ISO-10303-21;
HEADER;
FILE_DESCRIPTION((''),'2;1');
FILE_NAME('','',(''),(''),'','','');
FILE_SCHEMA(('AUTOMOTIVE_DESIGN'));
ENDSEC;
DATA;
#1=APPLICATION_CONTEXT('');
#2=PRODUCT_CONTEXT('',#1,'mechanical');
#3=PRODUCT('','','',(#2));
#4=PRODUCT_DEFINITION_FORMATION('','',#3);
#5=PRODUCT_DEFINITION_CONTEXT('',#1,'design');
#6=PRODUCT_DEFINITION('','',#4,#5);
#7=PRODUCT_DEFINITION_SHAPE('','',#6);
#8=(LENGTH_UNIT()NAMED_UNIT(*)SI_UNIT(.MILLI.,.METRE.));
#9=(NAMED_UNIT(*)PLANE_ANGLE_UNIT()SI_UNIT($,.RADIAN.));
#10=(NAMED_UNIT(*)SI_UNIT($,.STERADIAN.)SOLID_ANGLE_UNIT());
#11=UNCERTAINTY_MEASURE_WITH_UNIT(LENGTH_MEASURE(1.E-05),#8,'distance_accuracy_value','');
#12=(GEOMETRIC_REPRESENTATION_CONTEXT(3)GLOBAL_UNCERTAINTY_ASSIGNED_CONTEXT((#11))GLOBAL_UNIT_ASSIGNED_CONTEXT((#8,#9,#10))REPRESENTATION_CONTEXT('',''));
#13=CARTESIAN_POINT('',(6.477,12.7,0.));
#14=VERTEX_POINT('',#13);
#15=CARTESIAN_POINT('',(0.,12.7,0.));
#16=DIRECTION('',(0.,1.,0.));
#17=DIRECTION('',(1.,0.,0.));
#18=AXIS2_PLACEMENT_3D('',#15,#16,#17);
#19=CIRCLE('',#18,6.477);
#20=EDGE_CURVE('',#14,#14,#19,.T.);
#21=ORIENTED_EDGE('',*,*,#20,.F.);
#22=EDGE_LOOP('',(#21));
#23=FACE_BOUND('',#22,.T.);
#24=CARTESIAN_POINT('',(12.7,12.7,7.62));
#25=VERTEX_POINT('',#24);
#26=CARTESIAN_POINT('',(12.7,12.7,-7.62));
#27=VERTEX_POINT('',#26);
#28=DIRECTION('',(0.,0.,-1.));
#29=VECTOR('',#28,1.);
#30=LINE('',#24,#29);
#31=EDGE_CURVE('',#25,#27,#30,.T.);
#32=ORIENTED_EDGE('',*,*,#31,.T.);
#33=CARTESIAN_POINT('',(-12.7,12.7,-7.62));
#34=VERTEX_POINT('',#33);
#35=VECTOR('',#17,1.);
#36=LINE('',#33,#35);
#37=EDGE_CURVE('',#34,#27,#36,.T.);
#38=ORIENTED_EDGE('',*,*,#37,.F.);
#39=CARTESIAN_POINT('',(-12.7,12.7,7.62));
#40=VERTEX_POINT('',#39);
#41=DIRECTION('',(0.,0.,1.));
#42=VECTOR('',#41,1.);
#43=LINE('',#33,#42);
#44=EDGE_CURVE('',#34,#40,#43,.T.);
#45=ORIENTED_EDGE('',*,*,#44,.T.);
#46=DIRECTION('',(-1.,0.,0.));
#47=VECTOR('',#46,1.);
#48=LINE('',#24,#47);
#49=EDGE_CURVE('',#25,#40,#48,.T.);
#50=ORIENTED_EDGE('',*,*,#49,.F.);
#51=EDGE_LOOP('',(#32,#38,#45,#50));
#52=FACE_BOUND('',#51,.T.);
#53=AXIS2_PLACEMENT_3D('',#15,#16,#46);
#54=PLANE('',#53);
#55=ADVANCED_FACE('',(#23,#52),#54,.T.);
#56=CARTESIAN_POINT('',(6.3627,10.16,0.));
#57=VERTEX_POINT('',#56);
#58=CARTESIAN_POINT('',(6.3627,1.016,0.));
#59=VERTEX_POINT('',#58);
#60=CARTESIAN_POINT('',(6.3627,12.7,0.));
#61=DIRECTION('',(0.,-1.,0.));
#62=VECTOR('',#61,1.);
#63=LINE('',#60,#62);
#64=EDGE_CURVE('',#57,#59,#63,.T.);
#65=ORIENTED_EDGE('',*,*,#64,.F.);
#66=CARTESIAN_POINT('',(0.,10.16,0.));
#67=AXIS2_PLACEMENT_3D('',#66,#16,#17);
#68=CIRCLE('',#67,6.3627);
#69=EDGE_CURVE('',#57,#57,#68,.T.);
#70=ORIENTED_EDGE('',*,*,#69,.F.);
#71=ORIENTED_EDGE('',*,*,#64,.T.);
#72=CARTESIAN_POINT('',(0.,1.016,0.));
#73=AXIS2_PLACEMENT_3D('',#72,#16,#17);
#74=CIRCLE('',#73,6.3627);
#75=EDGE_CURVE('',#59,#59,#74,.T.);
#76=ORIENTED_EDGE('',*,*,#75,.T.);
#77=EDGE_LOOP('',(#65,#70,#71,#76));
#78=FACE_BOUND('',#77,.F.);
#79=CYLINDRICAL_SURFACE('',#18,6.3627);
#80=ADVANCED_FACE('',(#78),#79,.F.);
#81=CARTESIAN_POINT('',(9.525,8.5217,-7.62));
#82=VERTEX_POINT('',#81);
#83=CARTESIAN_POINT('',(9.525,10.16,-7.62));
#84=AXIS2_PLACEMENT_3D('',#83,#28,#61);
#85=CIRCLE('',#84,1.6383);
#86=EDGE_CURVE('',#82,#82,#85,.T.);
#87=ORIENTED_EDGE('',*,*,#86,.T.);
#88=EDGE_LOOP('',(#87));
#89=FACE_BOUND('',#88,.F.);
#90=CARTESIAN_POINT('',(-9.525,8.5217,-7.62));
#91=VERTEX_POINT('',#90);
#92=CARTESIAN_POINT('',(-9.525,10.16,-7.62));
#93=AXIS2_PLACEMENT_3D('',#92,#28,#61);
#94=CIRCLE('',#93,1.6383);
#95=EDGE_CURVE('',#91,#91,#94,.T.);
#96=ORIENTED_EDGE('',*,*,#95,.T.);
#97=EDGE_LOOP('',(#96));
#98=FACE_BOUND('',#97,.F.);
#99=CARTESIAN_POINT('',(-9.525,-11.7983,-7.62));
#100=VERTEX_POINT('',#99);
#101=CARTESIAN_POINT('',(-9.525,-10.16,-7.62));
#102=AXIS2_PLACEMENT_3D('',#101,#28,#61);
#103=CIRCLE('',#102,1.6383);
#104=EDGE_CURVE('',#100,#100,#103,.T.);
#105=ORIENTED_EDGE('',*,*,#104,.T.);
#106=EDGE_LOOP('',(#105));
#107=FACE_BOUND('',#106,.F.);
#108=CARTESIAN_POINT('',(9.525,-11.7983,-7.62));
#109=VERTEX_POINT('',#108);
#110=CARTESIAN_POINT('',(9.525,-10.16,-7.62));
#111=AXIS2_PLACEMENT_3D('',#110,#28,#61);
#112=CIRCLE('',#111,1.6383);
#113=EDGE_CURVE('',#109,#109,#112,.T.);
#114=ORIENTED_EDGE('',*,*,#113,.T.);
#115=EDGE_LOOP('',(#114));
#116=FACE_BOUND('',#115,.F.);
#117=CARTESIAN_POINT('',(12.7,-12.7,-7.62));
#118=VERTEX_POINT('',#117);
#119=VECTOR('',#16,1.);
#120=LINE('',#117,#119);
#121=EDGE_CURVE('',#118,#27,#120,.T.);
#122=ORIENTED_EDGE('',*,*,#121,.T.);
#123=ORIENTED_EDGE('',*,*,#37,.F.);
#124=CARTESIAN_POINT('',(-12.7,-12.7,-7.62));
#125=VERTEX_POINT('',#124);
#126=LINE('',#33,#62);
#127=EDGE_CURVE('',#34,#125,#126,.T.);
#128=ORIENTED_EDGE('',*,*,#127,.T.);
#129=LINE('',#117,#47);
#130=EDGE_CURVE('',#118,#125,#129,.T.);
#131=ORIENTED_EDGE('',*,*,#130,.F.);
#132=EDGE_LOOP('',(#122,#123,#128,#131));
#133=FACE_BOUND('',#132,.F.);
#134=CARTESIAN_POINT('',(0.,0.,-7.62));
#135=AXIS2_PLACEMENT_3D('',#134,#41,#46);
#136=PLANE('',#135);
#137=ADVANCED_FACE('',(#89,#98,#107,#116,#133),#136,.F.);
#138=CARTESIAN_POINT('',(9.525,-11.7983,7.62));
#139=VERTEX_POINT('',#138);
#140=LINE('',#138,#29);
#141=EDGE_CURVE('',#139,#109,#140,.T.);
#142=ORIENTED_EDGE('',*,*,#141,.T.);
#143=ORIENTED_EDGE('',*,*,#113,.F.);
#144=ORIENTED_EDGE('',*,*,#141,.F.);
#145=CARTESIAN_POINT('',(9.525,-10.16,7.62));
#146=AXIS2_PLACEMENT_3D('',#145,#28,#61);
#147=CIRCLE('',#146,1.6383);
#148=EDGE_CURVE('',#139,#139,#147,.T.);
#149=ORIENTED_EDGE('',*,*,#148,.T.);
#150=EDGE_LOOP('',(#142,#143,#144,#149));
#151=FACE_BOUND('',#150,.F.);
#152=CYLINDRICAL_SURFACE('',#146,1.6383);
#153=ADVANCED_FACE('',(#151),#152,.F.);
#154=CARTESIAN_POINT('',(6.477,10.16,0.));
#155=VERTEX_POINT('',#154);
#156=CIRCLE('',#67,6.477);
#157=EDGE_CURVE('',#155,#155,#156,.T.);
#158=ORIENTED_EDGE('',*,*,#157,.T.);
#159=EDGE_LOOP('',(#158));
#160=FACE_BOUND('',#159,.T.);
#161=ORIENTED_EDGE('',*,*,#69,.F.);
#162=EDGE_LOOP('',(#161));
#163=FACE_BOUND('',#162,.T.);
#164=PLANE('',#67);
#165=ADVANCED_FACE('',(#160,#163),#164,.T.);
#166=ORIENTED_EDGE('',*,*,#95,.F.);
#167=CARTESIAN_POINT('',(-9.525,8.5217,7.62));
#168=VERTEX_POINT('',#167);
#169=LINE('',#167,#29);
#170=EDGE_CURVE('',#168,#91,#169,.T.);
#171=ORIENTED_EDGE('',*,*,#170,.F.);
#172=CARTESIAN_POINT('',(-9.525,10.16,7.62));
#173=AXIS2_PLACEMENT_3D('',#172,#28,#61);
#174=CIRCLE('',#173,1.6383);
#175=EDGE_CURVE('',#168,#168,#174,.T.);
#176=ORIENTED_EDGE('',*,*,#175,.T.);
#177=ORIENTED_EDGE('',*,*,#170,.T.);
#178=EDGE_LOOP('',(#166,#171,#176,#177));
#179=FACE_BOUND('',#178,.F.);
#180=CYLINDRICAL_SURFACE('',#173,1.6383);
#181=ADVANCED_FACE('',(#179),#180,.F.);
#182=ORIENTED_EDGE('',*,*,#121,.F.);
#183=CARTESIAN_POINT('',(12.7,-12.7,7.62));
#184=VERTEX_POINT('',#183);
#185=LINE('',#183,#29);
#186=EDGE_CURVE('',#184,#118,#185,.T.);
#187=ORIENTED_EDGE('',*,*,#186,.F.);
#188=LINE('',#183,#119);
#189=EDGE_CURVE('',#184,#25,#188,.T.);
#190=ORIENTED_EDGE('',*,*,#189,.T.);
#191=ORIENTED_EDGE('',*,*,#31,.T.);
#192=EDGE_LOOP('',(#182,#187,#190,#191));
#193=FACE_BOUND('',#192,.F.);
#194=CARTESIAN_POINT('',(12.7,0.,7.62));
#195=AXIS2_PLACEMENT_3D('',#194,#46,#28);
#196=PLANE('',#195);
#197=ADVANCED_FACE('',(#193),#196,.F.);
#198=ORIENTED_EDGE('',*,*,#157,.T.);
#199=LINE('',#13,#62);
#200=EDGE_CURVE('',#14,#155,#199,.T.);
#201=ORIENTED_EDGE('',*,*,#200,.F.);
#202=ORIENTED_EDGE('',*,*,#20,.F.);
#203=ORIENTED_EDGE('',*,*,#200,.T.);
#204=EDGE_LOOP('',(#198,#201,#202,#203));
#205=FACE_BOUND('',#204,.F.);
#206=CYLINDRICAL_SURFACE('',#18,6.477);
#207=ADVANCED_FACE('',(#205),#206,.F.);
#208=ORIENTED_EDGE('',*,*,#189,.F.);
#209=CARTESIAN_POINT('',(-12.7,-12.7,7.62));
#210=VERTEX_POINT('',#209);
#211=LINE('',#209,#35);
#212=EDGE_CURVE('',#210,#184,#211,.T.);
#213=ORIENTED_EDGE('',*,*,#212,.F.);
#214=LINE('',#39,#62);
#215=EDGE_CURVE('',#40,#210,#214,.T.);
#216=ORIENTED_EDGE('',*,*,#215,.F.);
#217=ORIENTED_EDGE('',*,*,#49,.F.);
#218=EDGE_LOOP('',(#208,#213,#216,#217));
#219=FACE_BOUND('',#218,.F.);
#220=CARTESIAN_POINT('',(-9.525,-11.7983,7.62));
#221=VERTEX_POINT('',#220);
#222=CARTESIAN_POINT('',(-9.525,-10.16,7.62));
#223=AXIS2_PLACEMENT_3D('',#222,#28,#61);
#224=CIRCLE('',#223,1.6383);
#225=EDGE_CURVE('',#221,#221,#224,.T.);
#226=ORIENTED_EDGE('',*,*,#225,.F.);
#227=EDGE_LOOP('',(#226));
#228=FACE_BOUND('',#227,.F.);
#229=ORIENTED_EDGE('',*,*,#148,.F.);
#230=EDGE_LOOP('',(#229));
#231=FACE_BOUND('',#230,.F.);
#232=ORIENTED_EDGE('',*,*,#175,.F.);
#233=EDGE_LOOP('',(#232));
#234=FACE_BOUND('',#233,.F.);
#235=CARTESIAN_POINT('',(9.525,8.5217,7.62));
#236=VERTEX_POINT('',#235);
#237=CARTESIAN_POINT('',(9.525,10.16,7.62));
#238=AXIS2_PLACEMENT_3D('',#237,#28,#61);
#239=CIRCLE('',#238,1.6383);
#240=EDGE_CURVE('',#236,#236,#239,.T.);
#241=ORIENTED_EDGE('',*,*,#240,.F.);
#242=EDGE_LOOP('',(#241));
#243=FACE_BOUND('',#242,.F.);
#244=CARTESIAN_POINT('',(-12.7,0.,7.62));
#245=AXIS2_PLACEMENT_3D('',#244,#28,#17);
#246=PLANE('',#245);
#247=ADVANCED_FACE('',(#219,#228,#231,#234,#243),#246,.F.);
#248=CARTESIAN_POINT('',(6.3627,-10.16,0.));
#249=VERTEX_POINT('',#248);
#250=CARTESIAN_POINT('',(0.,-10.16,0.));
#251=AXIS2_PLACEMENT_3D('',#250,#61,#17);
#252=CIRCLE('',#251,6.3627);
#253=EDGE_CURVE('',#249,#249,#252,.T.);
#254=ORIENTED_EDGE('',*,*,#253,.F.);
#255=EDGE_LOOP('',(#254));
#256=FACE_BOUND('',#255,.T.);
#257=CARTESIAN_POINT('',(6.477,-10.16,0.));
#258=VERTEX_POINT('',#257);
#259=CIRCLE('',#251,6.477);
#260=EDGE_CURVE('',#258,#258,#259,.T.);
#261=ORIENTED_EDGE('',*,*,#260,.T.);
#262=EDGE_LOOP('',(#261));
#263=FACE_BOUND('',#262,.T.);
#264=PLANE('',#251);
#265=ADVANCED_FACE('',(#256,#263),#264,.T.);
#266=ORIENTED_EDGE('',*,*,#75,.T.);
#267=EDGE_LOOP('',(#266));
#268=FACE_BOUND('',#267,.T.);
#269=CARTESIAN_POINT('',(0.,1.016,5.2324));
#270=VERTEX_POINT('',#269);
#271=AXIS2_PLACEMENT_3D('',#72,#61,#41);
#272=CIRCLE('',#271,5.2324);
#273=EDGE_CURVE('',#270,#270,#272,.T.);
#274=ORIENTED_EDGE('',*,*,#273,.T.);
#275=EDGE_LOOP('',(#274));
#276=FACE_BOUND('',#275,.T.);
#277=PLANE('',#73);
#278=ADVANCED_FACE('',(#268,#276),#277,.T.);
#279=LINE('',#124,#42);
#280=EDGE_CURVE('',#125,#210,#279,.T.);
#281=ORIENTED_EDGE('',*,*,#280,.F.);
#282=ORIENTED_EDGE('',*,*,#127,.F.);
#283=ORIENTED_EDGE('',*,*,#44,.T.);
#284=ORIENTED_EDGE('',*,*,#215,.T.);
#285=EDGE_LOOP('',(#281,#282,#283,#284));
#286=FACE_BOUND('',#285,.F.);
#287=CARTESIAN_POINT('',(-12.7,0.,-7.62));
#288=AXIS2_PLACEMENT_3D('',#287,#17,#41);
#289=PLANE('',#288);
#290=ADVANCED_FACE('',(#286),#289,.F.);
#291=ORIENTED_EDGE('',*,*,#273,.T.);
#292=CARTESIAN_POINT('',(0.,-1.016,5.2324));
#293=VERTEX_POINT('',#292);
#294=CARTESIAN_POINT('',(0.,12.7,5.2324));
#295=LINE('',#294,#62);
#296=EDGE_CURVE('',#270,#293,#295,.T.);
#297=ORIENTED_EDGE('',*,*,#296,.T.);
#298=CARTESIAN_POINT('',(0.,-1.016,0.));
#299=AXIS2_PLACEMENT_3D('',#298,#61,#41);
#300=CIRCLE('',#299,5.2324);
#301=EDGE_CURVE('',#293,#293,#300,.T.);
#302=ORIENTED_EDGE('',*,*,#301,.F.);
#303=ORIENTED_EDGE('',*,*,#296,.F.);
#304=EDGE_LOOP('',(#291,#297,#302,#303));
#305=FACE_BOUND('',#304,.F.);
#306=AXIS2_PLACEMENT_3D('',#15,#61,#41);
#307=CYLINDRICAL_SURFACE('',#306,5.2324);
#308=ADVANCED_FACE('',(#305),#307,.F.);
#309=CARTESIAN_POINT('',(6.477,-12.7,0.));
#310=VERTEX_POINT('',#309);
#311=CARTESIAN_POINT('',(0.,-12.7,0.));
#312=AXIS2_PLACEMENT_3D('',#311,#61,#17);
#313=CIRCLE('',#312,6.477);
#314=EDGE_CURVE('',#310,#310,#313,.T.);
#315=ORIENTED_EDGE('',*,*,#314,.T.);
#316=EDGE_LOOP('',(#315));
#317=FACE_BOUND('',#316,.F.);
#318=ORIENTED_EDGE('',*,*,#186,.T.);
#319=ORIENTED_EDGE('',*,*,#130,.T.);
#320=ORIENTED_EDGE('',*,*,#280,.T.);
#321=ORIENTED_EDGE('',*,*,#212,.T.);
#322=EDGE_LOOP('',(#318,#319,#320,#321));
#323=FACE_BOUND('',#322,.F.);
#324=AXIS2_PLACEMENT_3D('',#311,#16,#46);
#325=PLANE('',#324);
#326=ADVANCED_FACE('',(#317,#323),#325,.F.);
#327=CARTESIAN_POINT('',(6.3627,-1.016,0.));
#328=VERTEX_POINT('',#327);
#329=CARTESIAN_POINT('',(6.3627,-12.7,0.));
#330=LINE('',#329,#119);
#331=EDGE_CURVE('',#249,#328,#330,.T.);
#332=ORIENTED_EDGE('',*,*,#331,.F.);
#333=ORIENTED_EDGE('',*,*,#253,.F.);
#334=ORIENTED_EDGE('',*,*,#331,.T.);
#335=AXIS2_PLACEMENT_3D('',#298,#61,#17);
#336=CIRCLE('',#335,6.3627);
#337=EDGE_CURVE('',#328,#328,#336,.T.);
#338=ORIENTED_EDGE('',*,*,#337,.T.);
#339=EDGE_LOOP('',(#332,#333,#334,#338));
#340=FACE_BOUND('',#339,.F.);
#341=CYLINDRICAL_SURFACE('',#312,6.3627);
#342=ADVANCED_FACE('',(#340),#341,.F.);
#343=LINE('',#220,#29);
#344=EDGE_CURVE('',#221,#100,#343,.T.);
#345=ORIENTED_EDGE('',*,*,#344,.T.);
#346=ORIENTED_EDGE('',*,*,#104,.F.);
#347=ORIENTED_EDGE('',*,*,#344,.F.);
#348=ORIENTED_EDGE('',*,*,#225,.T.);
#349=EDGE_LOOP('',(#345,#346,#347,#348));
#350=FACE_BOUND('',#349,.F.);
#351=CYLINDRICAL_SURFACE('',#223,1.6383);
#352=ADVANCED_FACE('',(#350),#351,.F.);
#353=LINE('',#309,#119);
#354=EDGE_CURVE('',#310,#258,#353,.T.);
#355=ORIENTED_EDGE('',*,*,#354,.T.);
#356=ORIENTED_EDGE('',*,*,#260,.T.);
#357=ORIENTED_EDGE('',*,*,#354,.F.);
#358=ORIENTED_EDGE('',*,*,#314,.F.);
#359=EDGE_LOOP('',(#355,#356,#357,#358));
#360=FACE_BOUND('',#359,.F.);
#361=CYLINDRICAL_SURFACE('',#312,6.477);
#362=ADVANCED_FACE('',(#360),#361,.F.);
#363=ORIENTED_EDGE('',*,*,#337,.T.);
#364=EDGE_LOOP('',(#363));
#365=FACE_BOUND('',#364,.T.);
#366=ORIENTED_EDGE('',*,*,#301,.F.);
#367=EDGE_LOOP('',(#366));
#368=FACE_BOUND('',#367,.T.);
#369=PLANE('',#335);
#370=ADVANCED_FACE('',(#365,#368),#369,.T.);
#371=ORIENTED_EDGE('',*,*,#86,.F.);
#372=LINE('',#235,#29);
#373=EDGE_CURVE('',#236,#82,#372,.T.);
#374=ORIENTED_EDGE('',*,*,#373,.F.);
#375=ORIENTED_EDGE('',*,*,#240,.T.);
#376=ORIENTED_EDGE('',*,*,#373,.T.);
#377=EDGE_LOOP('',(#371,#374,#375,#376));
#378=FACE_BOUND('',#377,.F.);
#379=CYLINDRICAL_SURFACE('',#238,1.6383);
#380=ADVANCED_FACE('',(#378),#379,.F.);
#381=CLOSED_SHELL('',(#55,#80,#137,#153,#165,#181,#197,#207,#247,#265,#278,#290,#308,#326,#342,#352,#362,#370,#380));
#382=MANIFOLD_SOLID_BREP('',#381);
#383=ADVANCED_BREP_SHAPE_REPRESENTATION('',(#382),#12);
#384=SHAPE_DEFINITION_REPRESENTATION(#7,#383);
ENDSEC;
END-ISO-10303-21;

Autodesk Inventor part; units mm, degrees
ref_plane "YZ Plane" through (0, 0, 0) normal (1, 0, 0) x (0, 1, 0)
ref_plane "XZ Plane" through (0, 0, 0) normal (0, 1, 0) x (-1, 0, 0)
ref_plane "XY Plane" through (0, 0, 0) normal (0, 0, 1) x (1, 0, 0)
sketch "Sketch1" plane through (0, 0, 0) normal (0, 1, 0) x (-1, 0, 0)
  circle A0 centre (0, 0) radius 7.62
  line L0 (12.7, 7.62) -> (-12.7, 7.62)
  line L1 (-12.7, 7.62) -> (-12.7, -7.62)
  line L2 (-12.7, -7.62) -> (12.7, -7.62)
  line L3 (12.7, -7.62) -> (12.7, 7.62)
  line L4 (12.7, 7.62) -> (-12.7, -7.62) construction
  line L5 (-12.7, 7.62) -> (12.7, -7.62) construction
  line L6 (12.7, 7.62) -> (38.1, 7.62) construction
  dimension "d0" = 15.24
  dimension "d27" = 25.4
  dimension "d28" = 180
  dimension "d29" = 15.24
extrude "Extrusion1" add sketch "Sketch1" along normal mid plane 25.4
sketch "Sketch2" plane through (0, 12.7, 0) normal (0, 1, 0) x (1, 0, 0)
  circle A0 centre (0, 0) radius 3.175
  dimension "d3" = 6.35
hole "Hole1" at (0, 12.7, 0) direction (0, -1, 0) diameter 10.4648 depth 24.7904 tip angle 118
sketch "Sketch3" plane through (0, 12.7, 0) normal (0, 1, 0) x (1, 0, 0)
  circle A0 centre (0, 0) radius 6.3627
  dimension "d6" = 12.7254
extrude "Extrusion3" cut sketch "Sketch3" against normal blind 11.684
sketch "Sketch4" plane through (0, -12.7, 0) normal (0, -1, 0) x (1, 0, 0)
  circle A0 centre (0, 0) radius 6.3627
  dimension "d9" = 12.7254
extrude "Extrusion4" cut sketch "Sketch4" against normal blind 11.684
sketch "Sketch5" plane through (0, 12.7, 0) normal (0, 1, 0) x (1, 0, 0)
  circle A0 centre (0, 0) radius 6.477
  dimension "d13" = 12.954
extrude "Extrusion5" cut sketch "Sketch5" against normal blind 2.54
sketch "Sketch6" plane through (0, -12.7, 0) normal (0, -1, 0) x (1, 0, 0)
  circle A0 centre (0, 0) radius 6.477
  dimension "d16" = 12.954
extrude "Extrusion6" cut sketch "Sketch6" against normal blind 2.54
sketch "Sketch7" plane through (-12.7, 12.7, 7.62) normal (0, 0, 1) x (1, 0, 0)
  line L0 (3.175, -2.54) -> (22.225, -2.54) construction
  line L1 (22.225, -2.54) -> (22.225, -22.86) construction
  line L2 (22.225, -22.86) -> (3.175, -22.86) construction
  line L3 (3.175, -22.86) -> (3.175, -2.54) construction
  line L4 (3.175, -2.54) -> (22.225, -22.86) construction
  line L5 (22.225, -2.54) -> (3.175, -22.86) construction
  point P0 (12.7, -12.7)
  dimension "d30" = 19.05
  dimension "d31" = 20.32
hole "Hole2" at (9.525, 10.16, 7.62) at (9.525, -10.16, 7.62) at (-9.525, -10.16, 7.62) at (-9.525, 10.16, 7.62) direction (0, 0, -1) diameter 3.2766 end through all clearance for "Flat Head Machine Screw (82)" size "#4" standard "Ansi Unified Screw Threads"
properties part number "brassbushing2" material "Copper"
